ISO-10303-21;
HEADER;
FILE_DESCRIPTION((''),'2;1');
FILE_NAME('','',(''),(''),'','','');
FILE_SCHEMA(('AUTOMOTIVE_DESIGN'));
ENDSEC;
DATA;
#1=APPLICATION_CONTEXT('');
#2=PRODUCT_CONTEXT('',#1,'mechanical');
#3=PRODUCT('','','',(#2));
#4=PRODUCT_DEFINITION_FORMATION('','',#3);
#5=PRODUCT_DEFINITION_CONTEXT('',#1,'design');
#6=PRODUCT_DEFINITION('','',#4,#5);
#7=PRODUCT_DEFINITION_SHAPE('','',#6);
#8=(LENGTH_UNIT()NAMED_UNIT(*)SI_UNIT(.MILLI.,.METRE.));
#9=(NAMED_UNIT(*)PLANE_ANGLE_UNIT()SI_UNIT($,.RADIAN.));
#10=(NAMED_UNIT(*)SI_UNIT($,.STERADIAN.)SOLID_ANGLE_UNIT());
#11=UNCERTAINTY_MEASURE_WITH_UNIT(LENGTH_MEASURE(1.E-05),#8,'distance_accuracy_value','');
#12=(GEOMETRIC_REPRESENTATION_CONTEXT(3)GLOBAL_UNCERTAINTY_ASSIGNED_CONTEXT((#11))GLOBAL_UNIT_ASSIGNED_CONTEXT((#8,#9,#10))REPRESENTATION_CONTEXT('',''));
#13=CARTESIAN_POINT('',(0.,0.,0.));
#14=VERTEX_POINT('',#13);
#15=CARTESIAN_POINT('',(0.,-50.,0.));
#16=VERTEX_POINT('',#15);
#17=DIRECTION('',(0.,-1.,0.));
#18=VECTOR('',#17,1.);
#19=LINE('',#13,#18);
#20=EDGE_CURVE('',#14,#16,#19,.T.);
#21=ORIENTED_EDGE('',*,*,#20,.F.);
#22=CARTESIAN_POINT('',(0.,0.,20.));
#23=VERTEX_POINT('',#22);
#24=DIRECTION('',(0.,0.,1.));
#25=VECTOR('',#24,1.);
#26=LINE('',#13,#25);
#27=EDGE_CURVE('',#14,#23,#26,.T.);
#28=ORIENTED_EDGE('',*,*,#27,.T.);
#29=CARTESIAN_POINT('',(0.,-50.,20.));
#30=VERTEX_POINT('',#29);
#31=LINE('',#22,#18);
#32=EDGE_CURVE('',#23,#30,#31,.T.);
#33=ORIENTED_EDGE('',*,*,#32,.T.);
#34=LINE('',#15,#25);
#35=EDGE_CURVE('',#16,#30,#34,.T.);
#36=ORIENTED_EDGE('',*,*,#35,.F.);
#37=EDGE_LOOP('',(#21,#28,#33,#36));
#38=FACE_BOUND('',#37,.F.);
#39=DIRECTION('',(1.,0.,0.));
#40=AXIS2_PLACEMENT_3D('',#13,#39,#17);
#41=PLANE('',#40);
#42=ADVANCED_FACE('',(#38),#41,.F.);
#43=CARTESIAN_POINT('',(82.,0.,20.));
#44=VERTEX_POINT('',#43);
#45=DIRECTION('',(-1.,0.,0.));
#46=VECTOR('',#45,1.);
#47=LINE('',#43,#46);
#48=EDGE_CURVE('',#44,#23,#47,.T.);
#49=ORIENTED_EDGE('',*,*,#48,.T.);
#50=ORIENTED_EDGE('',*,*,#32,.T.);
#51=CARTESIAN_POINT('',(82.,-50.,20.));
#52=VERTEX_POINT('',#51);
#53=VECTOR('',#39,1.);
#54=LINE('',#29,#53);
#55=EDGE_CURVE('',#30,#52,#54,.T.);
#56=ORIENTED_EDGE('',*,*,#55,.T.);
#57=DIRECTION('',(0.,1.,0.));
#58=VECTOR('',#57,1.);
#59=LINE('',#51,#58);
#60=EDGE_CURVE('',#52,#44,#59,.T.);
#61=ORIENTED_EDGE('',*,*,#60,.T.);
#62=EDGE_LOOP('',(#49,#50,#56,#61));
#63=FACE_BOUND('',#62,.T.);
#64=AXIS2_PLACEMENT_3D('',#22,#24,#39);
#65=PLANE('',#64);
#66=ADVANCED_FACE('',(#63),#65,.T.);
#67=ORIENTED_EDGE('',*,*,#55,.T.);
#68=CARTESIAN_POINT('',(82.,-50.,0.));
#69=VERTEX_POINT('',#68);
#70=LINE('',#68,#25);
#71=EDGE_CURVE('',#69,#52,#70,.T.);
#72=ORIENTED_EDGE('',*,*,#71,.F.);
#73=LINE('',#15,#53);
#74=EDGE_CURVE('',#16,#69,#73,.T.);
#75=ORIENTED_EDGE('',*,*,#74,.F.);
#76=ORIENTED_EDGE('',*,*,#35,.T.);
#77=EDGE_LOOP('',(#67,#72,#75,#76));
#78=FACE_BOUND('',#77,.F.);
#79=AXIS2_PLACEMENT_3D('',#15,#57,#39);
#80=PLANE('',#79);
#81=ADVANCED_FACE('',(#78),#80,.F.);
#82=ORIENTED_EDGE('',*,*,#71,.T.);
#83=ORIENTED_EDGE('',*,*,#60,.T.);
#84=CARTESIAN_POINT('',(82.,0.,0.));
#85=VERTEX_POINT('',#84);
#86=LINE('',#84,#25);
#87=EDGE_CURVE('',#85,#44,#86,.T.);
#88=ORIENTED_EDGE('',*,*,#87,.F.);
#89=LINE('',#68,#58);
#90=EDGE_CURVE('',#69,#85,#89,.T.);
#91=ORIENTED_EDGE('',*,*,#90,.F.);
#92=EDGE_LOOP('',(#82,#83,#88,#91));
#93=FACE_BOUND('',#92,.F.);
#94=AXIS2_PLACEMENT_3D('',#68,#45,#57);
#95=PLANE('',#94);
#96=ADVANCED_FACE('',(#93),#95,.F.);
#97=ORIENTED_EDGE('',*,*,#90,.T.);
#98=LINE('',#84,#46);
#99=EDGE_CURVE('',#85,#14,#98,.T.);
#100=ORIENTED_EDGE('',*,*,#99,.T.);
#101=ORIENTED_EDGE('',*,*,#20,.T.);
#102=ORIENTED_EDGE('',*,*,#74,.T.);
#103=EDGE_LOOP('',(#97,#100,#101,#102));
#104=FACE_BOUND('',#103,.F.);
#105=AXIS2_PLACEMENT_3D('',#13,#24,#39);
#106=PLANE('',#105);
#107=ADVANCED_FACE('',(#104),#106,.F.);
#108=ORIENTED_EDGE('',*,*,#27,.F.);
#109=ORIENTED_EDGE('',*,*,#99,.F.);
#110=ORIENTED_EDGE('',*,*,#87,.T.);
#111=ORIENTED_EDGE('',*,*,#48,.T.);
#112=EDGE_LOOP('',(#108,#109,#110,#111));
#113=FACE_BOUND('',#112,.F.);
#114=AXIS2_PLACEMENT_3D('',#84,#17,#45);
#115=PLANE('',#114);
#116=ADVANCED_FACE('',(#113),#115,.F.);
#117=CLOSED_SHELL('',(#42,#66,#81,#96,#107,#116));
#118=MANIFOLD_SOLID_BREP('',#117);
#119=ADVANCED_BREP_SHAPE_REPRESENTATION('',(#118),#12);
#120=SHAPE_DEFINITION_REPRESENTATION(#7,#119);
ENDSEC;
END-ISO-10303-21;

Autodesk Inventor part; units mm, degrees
ref_plane "YZ Plane" through (0, 0, 0) normal (1, 0, 0) x (0, 1, 0)
ref_plane "XZ Plane" through (0, 0, 0) normal (0, 1, 0) x (-1, 0, 0)
ref_plane "XY Plane" through (0, 0, 0) normal (0, 0, 1) x (1, 0, 0)
sketch "Sketch1" plane through (0, 0, 0) normal (0, 0, 1) x (1, 0, 0)
  line L0 (0, 0) -> (0, -50)
  line L1 (0, -50) -> (82, -50)
  line L2 (82, -50) -> (82, 0)
  line L3 (82, 0) -> (0, 0)
  dimension "d0" = 50
  dimension "d1" = 82
extrude "Extrusion1" add sketch "Sketch1" along normal blind 20
properties part number "motormount"
